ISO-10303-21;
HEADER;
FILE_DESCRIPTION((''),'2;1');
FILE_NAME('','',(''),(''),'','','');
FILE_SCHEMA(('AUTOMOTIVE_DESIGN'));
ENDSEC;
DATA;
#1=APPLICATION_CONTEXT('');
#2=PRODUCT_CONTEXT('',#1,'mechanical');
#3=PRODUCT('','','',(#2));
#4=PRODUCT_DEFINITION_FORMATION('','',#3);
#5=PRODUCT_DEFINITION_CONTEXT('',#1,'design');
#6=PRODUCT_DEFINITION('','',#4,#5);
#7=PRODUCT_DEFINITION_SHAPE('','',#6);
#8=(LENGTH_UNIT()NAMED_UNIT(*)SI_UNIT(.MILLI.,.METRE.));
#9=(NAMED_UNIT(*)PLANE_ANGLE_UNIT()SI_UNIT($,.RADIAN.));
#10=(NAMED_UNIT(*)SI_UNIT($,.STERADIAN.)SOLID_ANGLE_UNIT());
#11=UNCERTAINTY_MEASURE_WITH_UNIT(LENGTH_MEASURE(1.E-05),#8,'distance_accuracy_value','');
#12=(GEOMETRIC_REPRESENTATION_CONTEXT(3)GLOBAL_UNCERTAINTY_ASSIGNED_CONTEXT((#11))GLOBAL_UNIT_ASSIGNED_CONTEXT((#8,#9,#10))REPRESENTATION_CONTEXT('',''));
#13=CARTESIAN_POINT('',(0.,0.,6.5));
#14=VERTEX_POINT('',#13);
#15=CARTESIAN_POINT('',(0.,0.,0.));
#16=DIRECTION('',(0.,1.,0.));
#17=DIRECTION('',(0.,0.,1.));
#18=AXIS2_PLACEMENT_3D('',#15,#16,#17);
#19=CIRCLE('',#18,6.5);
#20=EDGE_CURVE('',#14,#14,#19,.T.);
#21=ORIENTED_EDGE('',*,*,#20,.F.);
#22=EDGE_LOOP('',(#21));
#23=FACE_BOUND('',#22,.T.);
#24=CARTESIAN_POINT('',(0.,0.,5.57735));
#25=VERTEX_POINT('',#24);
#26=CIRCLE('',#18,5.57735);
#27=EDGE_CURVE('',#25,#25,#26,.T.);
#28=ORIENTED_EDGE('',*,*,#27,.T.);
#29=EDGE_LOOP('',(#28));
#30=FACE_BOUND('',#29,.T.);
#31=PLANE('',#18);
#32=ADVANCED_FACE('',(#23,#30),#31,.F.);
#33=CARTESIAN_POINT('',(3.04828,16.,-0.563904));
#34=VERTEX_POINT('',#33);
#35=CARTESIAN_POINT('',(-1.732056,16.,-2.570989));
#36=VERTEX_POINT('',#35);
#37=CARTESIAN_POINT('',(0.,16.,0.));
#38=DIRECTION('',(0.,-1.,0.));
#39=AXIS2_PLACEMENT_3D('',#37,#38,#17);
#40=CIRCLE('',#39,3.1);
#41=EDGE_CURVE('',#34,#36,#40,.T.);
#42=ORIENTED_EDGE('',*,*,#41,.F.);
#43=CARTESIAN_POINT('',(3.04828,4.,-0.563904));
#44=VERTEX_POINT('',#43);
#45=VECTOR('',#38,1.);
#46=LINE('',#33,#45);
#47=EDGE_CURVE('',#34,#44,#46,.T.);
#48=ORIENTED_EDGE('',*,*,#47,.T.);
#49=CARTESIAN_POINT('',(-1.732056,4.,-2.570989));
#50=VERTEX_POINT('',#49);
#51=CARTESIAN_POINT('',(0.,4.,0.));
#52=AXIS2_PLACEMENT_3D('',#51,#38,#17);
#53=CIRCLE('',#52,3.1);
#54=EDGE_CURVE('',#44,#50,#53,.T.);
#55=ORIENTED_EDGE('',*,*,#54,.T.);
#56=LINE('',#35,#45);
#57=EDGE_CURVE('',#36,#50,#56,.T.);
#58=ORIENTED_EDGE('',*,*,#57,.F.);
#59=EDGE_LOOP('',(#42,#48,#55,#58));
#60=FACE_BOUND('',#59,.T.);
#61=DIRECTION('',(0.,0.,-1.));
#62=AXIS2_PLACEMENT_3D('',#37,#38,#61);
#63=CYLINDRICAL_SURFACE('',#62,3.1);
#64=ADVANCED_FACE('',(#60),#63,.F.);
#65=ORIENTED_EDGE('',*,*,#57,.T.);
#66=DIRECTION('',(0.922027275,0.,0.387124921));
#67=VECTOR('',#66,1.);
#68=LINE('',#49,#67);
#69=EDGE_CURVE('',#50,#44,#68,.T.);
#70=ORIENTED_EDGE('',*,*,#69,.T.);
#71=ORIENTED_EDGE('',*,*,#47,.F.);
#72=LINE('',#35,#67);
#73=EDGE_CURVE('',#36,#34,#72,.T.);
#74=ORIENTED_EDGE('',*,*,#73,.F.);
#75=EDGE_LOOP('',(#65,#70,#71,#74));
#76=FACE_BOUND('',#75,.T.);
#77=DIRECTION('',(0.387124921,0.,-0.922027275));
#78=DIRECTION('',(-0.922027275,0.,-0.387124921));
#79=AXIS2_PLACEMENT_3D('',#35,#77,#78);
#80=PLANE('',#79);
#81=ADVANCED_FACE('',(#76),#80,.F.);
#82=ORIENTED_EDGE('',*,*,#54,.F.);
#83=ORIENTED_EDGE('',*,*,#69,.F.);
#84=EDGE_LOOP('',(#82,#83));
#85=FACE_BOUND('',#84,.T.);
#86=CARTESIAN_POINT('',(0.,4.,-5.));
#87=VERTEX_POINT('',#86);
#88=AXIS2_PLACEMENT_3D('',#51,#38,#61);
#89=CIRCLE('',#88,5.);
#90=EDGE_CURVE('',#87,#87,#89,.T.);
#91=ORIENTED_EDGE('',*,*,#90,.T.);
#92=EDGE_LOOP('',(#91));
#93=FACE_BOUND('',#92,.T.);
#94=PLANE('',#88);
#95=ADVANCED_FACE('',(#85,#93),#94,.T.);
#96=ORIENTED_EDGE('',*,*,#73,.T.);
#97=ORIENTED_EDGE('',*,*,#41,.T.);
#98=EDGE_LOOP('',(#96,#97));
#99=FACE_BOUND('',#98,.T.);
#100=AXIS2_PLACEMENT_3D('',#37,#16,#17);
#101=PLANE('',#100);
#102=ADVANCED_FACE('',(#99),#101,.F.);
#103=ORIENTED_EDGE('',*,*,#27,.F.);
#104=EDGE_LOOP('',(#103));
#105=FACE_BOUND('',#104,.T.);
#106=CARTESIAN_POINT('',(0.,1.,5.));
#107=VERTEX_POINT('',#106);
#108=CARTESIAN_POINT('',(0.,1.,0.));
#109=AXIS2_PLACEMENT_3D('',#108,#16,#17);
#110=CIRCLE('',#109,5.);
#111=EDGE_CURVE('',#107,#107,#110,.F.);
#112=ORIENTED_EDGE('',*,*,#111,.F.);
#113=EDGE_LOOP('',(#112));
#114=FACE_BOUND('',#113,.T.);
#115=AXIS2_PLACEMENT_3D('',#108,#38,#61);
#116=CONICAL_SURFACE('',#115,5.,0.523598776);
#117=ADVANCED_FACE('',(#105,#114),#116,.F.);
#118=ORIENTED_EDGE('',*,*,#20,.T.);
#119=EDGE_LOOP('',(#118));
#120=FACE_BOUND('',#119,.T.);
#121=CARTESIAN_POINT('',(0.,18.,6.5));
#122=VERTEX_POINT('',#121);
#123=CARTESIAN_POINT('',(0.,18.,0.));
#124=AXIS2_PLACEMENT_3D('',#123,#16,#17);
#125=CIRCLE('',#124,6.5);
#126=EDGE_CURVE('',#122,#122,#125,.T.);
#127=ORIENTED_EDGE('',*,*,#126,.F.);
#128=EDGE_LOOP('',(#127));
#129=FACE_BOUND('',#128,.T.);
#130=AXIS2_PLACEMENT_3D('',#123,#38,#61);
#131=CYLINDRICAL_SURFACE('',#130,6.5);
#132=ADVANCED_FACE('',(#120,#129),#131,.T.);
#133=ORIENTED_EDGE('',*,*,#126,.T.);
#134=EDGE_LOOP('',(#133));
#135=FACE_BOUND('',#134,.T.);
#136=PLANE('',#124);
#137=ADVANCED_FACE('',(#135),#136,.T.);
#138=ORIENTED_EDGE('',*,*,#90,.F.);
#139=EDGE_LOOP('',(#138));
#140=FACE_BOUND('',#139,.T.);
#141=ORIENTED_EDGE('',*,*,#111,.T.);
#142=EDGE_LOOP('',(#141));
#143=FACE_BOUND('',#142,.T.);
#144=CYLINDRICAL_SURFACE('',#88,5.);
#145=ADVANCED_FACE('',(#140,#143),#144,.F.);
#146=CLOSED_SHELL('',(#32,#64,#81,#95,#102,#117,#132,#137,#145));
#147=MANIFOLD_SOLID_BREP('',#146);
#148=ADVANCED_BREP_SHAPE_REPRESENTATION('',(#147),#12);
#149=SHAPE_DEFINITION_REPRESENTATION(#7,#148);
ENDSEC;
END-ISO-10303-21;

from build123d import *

# Parameters (mm, degrees)
SKETCH1_R           = 6.5
BOSS_EXTRUDE1_DEPTH = 18
SKETCH2_R           = 5
CUT_EXTRUDE1_DEPTH  = 4
CUT_EXTRUDE2_DEPTH  = 12
CHAMFER1_SIZE       = 1
CHAMFER1_SIZE2      = 0.577350269


with BuildPart() as part:
    # Sketch1 → Boss-Extrude1 (new body)
    with BuildSketch(Plane(origin=(0, 0, 0), x_dir=(1, 0, 0), z_dir=(0, 1, 0))):
        with Locations(Location((0, 0, 0), (0, 0, 270))):
            Circle(SKETCH1_R)
    extrude(amount=BOSS_EXTRUDE1_DEPTH)

    # Sketch2 → Cut-Extrude1 (cut)
    with BuildSketch(Plane.XZ):
        with Locations(Location((0, 0, 0), (0, 0, 270))):
            Circle(SKETCH2_R)
    extrude(amount=-CUT_EXTRUDE1_DEPTH, mode=Mode.SUBTRACT)

    # Sketch3 → Cut-Extrude2 (cut)
    with BuildSketch(Plane.XZ.offset(-4)):
        with BuildLine():
            Line((-1.732055507, -2.57098886), (3.04828024, -0.563903873))
            ThreePointArc((3.04828024, -0.563903873), (-1.200087257, 2.858284551), (-1.732055507, -2.57098886))
        make_face()
    extrude(amount=-CUT_EXTRUDE2_DEPTH, mode=Mode.SUBTRACT)

    # Chamfer1
    chamfer1_edges = [part.edges().sort_by_distance(p)[0] for p in [
        (0, 0, 5),
    ]]
    chamfer1_side = [part.faces().sort_by_distance(p)[0] for p in [
        (0, 2, 5),
    ]]
    chamfer(chamfer1_edges, length=CHAMFER1_SIZE, length2=CHAMFER1_SIZE2, reference=chamfer1_side[0])


solid = part.part
